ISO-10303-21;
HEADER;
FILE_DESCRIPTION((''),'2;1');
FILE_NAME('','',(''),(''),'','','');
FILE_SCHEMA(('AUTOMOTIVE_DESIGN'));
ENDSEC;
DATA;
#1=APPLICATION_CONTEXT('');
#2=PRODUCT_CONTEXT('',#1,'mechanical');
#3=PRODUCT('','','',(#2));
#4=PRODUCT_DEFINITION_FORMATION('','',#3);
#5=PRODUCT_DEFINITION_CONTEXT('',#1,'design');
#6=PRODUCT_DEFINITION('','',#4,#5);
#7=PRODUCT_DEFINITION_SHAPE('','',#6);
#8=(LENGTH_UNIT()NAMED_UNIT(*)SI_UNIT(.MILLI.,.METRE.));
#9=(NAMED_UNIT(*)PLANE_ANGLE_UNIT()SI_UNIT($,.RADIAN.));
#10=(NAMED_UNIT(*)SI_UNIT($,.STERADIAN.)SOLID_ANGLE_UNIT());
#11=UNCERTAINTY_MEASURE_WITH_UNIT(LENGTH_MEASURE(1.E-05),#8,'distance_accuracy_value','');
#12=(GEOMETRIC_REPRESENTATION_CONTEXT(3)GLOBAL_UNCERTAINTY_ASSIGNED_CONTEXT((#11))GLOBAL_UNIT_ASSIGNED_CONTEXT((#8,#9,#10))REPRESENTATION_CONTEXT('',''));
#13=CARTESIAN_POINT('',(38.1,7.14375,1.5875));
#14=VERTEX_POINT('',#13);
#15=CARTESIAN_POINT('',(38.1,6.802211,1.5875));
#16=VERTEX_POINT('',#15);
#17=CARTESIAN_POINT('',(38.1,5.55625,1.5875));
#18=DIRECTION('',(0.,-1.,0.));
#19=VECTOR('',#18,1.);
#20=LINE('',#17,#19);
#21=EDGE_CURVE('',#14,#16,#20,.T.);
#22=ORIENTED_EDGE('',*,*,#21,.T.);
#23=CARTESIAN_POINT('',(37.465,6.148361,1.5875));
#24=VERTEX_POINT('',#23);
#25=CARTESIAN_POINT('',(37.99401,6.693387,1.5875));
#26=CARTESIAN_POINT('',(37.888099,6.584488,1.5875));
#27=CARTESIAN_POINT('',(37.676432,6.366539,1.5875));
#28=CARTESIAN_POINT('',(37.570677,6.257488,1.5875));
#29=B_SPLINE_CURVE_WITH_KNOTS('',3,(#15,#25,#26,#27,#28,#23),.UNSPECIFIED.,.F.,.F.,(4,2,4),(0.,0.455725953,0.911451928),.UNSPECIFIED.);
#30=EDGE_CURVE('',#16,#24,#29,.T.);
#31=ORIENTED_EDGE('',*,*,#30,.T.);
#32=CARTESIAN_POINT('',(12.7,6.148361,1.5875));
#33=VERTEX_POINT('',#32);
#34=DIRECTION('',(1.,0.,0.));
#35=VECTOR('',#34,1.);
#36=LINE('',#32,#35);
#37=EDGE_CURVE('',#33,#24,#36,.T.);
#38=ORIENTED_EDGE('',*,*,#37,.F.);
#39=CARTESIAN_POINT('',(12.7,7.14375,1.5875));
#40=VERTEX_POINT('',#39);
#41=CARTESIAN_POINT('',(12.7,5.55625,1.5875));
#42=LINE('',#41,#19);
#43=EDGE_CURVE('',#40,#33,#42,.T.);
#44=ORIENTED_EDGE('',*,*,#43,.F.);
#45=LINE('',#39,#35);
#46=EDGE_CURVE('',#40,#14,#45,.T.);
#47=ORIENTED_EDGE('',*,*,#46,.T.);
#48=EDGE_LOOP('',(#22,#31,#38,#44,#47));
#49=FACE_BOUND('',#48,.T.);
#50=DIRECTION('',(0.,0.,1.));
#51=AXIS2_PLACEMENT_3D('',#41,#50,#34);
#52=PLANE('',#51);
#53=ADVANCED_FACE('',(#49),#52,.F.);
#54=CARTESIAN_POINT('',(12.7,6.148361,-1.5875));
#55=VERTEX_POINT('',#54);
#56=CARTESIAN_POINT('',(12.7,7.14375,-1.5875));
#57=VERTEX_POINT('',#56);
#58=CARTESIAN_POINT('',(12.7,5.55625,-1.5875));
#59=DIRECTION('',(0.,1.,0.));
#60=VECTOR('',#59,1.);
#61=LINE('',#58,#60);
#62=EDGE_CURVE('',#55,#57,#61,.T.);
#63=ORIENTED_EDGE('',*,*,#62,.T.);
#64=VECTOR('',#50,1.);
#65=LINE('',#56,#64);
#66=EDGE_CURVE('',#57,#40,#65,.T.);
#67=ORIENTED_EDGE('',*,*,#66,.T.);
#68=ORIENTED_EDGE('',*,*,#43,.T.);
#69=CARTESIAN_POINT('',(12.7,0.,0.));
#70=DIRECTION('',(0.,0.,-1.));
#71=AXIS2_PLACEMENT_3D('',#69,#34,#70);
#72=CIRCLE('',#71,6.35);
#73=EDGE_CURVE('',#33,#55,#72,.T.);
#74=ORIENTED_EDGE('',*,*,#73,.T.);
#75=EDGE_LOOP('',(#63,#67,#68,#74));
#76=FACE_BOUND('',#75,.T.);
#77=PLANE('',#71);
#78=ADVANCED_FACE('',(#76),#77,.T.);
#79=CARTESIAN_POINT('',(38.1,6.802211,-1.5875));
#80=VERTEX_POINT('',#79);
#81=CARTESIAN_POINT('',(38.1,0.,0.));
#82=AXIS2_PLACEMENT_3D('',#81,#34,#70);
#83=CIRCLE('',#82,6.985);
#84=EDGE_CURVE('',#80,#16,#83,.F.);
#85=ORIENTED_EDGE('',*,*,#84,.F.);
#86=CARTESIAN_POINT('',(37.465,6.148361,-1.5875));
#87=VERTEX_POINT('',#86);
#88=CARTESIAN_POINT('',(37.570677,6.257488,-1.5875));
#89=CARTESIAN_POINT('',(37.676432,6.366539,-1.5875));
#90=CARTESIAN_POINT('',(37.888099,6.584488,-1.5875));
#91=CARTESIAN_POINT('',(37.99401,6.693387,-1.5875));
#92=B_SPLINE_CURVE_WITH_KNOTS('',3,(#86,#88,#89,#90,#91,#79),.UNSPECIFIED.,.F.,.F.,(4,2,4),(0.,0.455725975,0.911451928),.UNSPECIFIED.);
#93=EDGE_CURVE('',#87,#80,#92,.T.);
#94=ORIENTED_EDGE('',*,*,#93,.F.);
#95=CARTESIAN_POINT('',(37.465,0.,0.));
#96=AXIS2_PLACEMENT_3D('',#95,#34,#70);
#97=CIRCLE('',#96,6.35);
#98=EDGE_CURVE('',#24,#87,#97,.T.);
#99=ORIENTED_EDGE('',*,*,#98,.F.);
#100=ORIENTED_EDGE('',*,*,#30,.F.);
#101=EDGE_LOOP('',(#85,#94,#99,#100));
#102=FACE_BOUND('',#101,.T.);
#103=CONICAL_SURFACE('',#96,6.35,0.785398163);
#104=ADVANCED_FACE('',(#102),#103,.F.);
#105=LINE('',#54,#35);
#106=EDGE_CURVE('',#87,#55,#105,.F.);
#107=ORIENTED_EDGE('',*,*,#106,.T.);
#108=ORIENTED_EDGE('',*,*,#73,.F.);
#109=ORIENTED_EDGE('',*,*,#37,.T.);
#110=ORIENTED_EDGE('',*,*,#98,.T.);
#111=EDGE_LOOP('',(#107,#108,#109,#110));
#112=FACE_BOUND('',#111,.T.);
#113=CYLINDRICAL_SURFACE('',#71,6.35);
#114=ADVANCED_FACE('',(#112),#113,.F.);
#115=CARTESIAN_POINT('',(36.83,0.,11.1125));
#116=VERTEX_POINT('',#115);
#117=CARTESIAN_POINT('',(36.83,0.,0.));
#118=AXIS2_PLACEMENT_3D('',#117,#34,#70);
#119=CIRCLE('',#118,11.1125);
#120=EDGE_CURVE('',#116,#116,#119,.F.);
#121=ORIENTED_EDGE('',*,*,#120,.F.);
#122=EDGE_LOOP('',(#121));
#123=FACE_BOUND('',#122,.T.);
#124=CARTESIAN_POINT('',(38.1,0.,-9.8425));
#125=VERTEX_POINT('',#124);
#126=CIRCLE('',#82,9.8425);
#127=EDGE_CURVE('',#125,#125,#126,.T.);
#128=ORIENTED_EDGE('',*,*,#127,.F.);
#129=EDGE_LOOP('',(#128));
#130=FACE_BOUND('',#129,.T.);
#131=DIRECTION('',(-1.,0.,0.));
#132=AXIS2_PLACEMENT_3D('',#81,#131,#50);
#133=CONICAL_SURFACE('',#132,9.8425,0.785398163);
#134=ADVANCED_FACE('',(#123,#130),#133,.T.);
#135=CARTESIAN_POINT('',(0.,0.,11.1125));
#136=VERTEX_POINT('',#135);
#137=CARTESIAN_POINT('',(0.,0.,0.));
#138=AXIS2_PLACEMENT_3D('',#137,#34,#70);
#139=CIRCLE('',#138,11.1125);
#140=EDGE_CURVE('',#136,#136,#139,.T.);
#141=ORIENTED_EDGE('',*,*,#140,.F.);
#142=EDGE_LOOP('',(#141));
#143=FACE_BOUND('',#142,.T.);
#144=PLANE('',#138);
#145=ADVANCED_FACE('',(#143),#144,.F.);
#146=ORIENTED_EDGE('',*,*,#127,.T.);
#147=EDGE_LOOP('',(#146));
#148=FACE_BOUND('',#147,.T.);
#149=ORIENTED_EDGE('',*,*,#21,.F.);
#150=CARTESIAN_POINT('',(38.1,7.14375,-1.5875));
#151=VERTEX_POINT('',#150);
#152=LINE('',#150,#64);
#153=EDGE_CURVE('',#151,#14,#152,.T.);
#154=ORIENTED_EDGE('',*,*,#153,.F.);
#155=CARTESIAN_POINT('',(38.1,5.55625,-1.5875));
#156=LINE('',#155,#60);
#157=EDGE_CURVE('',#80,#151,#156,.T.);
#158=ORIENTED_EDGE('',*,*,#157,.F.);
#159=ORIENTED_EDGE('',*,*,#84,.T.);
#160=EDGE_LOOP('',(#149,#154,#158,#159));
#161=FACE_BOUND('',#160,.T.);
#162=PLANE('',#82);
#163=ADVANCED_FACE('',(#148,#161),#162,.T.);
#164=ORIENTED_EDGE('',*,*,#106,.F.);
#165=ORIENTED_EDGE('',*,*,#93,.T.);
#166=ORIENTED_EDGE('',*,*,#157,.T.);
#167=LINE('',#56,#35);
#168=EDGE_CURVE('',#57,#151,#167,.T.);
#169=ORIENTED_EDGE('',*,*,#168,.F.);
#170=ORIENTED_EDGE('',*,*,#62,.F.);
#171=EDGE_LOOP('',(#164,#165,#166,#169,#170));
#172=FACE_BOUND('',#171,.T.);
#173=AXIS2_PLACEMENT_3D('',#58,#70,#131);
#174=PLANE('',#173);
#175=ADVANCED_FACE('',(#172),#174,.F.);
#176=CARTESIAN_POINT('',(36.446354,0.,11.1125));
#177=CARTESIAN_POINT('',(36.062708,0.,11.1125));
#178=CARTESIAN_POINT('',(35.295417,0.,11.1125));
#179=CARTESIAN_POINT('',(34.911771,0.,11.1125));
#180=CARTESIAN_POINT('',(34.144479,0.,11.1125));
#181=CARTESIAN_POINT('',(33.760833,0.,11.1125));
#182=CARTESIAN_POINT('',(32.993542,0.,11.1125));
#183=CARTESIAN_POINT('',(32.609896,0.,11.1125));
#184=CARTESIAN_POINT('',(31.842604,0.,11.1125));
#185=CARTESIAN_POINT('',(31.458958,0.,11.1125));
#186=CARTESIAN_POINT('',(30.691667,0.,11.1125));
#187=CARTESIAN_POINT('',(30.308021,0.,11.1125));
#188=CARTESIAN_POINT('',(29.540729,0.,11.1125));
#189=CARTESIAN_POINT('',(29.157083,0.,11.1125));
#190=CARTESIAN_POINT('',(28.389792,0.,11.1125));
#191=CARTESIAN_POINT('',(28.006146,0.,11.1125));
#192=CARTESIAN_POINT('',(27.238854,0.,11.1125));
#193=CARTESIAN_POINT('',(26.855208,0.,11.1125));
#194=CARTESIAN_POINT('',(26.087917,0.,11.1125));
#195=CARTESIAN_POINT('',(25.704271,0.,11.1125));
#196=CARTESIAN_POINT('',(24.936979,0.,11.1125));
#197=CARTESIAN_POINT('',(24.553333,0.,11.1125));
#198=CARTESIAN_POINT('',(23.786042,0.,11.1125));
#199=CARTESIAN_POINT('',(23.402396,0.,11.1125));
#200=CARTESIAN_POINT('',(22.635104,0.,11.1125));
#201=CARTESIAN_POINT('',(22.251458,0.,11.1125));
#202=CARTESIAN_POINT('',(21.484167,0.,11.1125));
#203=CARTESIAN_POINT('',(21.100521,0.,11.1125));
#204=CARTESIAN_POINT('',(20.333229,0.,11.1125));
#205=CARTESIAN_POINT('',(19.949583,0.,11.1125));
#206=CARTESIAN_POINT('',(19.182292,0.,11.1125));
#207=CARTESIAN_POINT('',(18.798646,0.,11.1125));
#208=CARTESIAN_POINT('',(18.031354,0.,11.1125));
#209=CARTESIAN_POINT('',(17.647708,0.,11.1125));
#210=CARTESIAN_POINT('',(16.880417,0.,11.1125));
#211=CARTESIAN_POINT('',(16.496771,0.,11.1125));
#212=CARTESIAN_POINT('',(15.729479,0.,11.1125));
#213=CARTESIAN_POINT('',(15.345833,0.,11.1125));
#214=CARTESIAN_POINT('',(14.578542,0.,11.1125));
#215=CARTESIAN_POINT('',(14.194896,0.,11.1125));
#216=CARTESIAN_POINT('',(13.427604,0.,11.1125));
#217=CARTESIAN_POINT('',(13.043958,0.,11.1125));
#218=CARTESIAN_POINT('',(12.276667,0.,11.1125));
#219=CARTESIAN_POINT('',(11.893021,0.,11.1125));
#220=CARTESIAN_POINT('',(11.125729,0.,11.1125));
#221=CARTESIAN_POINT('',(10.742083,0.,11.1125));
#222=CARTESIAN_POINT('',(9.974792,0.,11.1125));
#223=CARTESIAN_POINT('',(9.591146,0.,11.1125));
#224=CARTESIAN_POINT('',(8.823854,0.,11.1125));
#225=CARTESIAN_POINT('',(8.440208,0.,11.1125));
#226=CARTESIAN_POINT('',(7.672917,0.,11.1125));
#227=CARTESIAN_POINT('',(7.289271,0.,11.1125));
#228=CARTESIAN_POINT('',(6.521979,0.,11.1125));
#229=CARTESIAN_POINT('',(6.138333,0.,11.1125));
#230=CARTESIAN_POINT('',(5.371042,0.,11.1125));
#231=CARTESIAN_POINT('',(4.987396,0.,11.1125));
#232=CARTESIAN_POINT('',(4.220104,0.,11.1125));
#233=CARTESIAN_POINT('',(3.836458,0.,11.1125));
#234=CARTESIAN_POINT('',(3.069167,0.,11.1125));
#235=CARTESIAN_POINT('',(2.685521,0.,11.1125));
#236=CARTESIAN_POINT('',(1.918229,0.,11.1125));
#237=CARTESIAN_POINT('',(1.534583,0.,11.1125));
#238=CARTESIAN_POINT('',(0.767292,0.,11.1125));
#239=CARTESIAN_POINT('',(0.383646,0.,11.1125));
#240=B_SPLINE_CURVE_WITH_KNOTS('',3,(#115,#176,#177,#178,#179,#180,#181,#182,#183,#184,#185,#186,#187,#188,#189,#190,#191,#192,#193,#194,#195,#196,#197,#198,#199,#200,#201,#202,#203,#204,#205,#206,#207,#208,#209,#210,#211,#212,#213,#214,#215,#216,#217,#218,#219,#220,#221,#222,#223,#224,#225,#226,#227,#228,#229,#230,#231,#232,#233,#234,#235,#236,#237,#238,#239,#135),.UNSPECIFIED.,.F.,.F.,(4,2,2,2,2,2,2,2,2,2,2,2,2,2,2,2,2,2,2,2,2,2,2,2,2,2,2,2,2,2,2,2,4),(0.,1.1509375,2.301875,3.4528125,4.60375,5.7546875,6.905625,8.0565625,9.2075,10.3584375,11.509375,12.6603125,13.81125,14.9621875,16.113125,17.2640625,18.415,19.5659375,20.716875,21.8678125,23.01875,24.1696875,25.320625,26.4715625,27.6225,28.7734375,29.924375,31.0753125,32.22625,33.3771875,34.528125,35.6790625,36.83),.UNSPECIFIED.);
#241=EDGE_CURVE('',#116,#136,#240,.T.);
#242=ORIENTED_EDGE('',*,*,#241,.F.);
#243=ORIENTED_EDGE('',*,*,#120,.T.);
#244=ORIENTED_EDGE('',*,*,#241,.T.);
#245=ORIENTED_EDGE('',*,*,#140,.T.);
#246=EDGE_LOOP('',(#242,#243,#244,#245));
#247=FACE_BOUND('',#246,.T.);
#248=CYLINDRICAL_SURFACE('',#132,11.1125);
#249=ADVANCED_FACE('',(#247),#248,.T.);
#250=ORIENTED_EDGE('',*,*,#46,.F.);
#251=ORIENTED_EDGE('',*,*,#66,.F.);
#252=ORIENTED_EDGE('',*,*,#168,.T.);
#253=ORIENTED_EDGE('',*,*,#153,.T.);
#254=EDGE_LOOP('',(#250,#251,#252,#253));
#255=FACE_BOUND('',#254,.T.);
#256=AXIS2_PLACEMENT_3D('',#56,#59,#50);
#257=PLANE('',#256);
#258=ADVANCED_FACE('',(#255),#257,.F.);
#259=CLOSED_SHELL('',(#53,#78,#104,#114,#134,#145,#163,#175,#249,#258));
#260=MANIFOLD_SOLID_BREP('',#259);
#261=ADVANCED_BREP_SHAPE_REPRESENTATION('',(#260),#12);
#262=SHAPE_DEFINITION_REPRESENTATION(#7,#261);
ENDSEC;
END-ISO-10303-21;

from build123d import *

# Parameters (mm, degrees)
SKETCH1_R           = 11.1125
BOSS_EXTRUDE1_DEPTH = 38.1
SKETCH2_R           = 6.35
CUT_EXTRUDE1_DEPTH  = 25.4
SKETCH3_W           = 3.175
SKETCH3_H           = 1.5875
CUT_EXTRUDE2_DEPTH  = 25.4
CHAMFER2_SIZE       = 0.635
CHAMFER3_SIZE       = 1.27


with BuildPart() as part:
    # Sketch1 → Boss-Extrude1 (new body)
    with BuildSketch(Plane(origin=(0, 0, 0), x_dir=(0, 0, -1), z_dir=(1, 0, 0))):
        with Locations(Location((0, 0, 0), (0, 0, 180))):
            Circle(SKETCH1_R)
    extrude(amount=BOSS_EXTRUDE1_DEPTH)

    # Sketch2 → Cut-Extrude1 (cut)
    with BuildSketch(Plane(origin=(38.1, 0, 0), x_dir=(0, 0, -1), z_dir=(1, 0, 0))):
        Circle(SKETCH2_R)
    extrude(amount=-CUT_EXTRUDE1_DEPTH, mode=Mode.SUBTRACT)

    # Sketch3 → Cut-Extrude2 (cut)
    with BuildSketch(Plane(origin=(38.1, 0, 0), x_dir=(0, 0, -1), z_dir=(1, 0, 0))):
        with Locations((0, 6.35)):
            Rectangle(SKETCH3_W, SKETCH3_H)
    extrude(amount=-CUT_EXTRUDE2_DEPTH, mode=Mode.SUBTRACT)

    # Chamfer2
    chamfer2_edges = [part.edges().sort_by_distance(p)[0] for p in [
        (38.1, -6.35, 0),
    ]]
    chamfer(chamfer2_edges, length=CHAMFER2_SIZE)

    # Chamfer3
    chamfer3_edges = [part.edges().sort_by_distance(p)[0] for p in [
        (38.1, 0, -11.1125),
    ]]
    chamfer(chamfer3_edges, length=CHAMFER3_SIZE)


solid = part.part
